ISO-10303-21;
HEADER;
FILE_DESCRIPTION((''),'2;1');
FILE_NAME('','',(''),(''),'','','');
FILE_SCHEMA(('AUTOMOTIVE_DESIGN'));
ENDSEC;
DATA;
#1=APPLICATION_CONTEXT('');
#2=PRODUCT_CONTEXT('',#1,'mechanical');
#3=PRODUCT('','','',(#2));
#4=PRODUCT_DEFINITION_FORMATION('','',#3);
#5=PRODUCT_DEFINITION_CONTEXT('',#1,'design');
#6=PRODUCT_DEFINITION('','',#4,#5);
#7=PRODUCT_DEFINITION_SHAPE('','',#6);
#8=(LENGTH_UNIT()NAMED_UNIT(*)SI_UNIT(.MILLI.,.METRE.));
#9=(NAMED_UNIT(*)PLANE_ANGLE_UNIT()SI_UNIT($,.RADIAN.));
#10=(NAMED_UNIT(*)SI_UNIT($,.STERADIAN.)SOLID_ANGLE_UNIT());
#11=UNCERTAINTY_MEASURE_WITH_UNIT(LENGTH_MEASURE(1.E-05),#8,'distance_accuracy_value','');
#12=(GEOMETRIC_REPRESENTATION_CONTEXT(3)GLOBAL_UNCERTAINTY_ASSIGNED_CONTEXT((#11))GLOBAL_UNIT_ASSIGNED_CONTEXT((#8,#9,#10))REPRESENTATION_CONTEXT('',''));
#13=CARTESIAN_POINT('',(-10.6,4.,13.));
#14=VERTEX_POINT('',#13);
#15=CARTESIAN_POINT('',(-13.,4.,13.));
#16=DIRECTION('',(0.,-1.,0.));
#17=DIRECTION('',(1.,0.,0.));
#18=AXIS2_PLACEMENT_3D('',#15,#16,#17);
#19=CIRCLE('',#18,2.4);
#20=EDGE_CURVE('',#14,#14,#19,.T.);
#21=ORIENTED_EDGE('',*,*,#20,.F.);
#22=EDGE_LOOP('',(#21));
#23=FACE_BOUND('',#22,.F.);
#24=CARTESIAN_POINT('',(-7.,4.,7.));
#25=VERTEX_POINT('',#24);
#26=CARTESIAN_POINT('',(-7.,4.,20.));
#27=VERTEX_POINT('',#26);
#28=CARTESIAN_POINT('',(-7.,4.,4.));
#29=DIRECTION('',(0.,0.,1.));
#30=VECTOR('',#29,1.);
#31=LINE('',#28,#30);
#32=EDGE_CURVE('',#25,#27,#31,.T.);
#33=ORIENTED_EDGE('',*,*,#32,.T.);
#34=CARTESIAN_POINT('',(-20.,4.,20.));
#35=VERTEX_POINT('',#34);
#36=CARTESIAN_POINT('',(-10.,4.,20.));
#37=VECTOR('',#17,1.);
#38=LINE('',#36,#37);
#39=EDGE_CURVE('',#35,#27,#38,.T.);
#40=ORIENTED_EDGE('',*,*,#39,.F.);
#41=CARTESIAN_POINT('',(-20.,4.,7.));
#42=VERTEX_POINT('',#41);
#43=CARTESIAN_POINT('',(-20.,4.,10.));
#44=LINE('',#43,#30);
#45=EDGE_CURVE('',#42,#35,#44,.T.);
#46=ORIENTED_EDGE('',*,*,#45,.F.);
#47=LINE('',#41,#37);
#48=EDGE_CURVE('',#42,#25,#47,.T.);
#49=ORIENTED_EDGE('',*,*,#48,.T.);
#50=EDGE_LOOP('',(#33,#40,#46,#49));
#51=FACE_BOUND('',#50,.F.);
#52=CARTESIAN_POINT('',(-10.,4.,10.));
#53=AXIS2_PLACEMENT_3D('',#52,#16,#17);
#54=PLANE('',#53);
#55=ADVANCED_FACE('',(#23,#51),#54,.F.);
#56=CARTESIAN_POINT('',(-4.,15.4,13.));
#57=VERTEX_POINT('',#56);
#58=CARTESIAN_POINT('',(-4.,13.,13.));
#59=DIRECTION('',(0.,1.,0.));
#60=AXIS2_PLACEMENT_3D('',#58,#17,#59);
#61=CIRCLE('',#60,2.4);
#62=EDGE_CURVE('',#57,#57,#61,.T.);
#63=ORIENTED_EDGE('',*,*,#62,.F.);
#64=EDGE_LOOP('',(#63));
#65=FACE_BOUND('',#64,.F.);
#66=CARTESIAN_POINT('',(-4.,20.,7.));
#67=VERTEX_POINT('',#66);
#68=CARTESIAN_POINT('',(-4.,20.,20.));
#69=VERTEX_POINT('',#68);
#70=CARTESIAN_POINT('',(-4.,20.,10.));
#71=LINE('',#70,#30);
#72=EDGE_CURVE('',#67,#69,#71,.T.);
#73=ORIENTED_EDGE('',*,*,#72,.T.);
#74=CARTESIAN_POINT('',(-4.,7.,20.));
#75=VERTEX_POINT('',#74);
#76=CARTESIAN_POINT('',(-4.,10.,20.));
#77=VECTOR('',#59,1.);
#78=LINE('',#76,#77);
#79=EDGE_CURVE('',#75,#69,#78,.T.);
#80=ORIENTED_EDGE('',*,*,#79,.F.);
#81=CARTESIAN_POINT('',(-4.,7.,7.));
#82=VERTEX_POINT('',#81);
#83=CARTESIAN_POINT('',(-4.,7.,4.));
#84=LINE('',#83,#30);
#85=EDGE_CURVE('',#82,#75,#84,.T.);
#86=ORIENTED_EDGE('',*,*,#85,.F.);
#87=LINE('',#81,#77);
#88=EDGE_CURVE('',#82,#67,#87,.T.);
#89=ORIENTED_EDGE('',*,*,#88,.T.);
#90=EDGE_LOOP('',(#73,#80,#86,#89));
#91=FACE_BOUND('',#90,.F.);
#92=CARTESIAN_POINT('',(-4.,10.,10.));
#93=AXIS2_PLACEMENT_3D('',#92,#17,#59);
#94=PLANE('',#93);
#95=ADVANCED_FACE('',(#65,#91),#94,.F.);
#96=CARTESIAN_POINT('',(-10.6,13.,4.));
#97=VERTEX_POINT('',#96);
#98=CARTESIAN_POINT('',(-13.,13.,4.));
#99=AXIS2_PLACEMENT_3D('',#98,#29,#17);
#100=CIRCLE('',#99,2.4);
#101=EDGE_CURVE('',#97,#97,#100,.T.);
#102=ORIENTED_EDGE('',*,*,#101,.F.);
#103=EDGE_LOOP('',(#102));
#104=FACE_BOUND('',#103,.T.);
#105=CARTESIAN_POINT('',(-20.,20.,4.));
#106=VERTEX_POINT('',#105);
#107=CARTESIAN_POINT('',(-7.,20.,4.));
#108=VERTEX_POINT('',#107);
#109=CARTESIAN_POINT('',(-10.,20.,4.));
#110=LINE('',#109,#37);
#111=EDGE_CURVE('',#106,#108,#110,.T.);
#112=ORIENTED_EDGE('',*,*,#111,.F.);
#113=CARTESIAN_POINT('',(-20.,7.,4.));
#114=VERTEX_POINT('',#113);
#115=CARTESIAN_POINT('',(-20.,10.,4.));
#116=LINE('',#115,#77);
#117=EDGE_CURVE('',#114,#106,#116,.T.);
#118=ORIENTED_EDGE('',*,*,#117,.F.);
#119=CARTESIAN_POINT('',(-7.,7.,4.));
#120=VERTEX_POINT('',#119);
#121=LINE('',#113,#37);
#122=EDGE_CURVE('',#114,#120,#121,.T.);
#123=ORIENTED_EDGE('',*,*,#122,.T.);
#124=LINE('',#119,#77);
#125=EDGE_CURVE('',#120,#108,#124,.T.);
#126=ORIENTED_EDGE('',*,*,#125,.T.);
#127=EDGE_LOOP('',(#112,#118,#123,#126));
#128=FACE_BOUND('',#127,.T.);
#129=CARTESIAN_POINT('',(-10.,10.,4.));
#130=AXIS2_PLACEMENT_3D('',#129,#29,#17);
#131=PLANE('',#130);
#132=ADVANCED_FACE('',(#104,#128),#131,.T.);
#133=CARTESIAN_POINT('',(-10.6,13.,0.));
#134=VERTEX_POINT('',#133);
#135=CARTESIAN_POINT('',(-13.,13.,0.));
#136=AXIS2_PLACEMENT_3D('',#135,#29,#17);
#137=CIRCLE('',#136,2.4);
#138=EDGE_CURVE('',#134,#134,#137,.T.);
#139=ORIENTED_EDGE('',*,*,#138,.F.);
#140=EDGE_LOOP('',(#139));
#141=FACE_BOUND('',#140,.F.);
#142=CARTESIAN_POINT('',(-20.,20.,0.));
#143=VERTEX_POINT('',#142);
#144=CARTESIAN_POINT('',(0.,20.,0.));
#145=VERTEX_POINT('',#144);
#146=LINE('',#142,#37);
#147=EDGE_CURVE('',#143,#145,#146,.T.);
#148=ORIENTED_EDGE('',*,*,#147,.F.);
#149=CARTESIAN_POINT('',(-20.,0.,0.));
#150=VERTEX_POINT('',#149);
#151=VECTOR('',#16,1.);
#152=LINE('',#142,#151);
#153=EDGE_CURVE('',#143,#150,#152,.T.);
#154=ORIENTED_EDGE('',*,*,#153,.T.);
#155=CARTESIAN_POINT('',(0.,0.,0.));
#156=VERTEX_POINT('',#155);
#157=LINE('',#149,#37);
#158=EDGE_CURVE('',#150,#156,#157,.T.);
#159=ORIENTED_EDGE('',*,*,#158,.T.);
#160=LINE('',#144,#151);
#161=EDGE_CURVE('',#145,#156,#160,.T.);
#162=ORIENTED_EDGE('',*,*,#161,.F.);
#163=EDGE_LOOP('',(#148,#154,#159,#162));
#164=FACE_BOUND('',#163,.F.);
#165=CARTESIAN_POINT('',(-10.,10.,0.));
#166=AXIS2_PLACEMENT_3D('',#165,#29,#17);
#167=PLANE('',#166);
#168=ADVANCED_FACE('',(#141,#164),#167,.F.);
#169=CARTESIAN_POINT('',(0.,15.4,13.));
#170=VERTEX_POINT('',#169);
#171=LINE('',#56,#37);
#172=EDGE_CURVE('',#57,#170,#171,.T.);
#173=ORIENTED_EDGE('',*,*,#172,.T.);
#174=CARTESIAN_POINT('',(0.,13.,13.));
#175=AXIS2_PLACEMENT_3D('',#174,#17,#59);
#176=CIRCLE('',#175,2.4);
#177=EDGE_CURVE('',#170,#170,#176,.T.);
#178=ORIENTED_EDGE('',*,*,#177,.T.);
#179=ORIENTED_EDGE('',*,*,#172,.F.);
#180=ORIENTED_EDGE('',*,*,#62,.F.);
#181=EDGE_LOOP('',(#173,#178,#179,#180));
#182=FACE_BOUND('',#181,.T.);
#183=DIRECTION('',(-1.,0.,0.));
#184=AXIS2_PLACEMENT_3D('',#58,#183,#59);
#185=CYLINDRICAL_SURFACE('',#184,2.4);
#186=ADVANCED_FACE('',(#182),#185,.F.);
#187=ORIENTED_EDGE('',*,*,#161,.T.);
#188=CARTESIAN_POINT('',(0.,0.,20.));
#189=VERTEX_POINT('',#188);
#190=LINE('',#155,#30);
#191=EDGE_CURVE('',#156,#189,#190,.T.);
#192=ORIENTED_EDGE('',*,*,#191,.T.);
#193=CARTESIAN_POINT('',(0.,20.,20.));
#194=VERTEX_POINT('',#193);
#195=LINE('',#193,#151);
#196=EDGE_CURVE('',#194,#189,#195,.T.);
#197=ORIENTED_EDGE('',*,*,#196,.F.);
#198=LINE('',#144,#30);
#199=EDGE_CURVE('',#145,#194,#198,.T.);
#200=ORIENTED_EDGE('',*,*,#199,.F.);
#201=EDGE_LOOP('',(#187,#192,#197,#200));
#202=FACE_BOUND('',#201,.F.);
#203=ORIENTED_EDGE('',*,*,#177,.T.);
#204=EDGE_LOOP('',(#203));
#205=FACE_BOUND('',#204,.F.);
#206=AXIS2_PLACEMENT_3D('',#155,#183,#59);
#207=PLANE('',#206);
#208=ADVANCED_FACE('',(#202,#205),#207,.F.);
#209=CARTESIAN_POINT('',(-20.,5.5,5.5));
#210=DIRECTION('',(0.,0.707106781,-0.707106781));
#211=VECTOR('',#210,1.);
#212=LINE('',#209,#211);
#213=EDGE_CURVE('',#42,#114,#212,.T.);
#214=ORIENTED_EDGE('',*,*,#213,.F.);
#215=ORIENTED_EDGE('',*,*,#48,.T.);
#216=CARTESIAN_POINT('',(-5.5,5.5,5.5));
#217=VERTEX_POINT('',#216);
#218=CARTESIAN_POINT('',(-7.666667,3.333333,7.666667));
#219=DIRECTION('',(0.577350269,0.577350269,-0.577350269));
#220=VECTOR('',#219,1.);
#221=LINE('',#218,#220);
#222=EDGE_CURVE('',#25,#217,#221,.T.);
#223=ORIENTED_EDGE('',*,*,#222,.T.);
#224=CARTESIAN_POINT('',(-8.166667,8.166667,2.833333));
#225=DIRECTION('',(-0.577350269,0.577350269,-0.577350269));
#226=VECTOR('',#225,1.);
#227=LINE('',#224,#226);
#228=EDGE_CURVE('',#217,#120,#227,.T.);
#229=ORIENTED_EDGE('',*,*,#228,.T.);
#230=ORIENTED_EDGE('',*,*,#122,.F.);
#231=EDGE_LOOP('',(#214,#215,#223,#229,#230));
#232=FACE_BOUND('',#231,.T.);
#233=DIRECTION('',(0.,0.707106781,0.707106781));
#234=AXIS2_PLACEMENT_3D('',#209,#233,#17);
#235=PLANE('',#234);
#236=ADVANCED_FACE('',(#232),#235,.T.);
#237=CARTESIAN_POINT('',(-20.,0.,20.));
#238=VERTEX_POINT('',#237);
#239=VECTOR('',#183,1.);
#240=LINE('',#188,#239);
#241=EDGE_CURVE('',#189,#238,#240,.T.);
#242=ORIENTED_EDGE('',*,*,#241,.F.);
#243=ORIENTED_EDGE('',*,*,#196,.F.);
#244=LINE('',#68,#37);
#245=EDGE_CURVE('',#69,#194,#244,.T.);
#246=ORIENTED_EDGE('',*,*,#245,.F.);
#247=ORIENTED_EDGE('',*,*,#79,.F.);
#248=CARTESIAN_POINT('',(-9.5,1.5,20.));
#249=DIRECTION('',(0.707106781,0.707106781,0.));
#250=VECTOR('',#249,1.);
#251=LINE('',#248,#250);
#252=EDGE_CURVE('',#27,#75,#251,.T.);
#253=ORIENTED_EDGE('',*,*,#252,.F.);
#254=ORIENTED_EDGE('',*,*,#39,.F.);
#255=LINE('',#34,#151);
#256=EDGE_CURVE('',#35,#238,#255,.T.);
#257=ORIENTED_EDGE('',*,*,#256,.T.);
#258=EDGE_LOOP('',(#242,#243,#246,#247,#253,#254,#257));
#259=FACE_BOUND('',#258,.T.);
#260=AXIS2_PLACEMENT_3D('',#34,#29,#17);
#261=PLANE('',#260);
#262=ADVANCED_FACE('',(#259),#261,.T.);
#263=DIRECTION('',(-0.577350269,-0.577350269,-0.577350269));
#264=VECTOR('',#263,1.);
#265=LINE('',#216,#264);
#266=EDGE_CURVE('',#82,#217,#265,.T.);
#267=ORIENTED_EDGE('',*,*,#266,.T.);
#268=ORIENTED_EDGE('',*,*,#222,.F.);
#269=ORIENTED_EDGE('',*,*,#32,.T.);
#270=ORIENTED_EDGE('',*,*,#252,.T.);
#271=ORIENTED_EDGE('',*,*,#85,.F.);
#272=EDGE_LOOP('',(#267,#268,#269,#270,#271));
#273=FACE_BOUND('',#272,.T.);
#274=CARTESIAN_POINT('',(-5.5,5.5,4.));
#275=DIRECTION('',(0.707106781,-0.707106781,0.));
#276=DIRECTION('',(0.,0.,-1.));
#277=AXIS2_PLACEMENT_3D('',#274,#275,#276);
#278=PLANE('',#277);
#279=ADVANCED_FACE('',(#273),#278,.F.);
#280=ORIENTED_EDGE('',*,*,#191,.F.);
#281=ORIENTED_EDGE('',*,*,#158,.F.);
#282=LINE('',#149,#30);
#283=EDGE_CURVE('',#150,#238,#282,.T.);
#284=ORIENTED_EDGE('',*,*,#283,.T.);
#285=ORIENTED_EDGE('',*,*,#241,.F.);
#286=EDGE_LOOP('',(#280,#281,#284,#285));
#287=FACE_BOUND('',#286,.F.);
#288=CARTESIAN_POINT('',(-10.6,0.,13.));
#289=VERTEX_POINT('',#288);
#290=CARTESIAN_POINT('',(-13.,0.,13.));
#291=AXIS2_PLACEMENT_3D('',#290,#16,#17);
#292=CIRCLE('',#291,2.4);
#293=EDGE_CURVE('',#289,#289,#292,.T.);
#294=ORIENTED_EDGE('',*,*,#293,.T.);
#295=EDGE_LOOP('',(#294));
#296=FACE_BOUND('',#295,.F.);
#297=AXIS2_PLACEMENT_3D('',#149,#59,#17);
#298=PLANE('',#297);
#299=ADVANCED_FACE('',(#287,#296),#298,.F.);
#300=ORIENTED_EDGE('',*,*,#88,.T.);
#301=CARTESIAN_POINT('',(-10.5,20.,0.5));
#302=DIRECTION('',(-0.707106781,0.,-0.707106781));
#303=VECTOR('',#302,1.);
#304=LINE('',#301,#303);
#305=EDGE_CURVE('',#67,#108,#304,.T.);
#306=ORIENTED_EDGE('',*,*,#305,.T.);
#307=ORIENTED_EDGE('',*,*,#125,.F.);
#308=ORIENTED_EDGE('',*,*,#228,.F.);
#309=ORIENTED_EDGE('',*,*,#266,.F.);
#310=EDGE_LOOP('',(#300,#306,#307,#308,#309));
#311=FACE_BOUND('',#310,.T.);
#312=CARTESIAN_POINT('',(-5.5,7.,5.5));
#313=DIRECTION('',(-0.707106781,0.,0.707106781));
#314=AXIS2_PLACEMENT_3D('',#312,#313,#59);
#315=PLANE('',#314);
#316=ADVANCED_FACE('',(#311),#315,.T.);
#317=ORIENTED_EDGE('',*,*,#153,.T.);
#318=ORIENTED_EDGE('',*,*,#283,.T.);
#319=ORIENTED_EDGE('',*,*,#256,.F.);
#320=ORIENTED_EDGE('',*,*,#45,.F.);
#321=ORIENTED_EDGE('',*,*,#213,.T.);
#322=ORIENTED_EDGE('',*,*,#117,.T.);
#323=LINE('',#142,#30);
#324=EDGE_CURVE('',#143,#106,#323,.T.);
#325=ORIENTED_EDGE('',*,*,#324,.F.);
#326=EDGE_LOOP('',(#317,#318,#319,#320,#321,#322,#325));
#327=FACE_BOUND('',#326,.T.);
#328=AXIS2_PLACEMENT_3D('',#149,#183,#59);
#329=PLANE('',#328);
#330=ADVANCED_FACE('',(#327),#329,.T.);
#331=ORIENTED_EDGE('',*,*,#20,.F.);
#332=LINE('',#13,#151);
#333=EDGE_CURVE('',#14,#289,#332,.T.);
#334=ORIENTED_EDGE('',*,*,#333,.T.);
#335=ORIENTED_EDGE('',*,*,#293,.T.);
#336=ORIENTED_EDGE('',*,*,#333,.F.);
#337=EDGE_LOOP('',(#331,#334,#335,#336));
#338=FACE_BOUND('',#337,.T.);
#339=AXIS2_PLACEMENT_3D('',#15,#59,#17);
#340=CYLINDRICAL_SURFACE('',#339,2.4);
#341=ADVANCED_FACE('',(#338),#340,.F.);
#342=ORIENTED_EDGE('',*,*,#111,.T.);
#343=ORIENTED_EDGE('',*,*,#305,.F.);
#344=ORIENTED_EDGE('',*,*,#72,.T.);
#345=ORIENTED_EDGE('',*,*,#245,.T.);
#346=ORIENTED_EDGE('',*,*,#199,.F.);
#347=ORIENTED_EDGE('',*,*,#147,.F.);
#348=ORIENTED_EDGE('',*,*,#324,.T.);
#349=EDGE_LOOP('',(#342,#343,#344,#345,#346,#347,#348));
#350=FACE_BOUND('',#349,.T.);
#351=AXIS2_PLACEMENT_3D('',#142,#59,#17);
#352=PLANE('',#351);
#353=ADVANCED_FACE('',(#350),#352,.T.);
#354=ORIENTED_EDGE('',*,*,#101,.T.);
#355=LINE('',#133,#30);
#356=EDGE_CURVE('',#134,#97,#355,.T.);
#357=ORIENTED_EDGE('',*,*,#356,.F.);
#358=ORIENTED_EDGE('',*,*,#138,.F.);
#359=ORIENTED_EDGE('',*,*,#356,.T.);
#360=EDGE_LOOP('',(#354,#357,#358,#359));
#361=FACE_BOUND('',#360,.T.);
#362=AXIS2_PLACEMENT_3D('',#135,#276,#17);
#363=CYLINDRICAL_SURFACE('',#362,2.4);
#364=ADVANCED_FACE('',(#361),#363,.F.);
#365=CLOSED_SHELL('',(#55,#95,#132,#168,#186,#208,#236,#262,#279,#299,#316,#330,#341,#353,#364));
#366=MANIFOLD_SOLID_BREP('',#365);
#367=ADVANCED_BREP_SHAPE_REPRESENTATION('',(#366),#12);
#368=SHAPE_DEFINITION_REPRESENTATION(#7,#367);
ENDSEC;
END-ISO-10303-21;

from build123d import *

# Parameters (mm, degrees)
SKETCH001_W     = 20
SKETCH001_H     = 20
SKETCH001_R     = 2.4
PAD001_DEPTH    = 4
SKETCH002_W     = 20
SKETCH002_H     = 20
SKETCH002_R     = 2.4
PAD002_DEPTH    = 4
SKETCH_W        = 20
SKETCH_H        = 20
SKETCH_R        = 2.4
PAD_DEPTH       = 4
CHAMFER_SIZE    = 3
CHAMFER001_SIZE = 3
CHAMFER002_SIZE = 3


with BuildPart() as pad001:
    # Sketch001 → Pad001 (new body)
    with BuildSketch(Plane.XZ.offset(-4)):
        with Locations((-10, 10)):
            Rectangle(SKETCH001_W, SKETCH001_H)
        with Locations((-13, 13)):
            Circle(SKETCH001_R, mode=Mode.SUBTRACT)
    extrude(amount=PAD001_DEPTH)


with BuildPart() as pad002:
    # Sketch002 → Pad002 (new body)
    with BuildSketch(Plane.YZ.offset(-4)):
        with Locations((10, 10)):
            Rectangle(SKETCH002_W, SKETCH002_H)
        with Locations((13, 13)):
            Circle(SKETCH002_R, mode=Mode.SUBTRACT)
    extrude(amount=PAD002_DEPTH)


with BuildPart() as chamfer002:
    # Sketch → Pad (new body)
    with BuildSketch(Plane.XY):
        with Locations((-10, 10)):
            Rectangle(SKETCH_W, SKETCH_H)
        with Locations((-13, 13)):
            Circle(SKETCH_R, mode=Mode.SUBTRACT)
    extrude(amount=PAD_DEPTH)

    # Fusion: union Pad001, Pad002
    add(pad001.part)
    add(pad002.part)

    # Chamfer
    chamfer_edges = [chamfer002.edges().sort_by_distance(p)[0] for p in [
        (-4, 4, 12),
    ]]
    chamfer(chamfer_edges, length=CHAMFER_SIZE)

    # Chamfer001
    chamfer001_edges = [chamfer002.edges().sort_by_distance(p)[0] for p in [
        (-13.5, 4, 4),
    ]]
    chamfer(chamfer001_edges, length=CHAMFER001_SIZE)

    # Chamfer002
    chamfer002_edges = [chamfer002.edges().sort_by_distance(p)[0] for p in [
        (-4, 13.5, 4),
    ]]
    chamfer(chamfer002_edges, length=CHAMFER002_SIZE)


solid = chamfer002.part
